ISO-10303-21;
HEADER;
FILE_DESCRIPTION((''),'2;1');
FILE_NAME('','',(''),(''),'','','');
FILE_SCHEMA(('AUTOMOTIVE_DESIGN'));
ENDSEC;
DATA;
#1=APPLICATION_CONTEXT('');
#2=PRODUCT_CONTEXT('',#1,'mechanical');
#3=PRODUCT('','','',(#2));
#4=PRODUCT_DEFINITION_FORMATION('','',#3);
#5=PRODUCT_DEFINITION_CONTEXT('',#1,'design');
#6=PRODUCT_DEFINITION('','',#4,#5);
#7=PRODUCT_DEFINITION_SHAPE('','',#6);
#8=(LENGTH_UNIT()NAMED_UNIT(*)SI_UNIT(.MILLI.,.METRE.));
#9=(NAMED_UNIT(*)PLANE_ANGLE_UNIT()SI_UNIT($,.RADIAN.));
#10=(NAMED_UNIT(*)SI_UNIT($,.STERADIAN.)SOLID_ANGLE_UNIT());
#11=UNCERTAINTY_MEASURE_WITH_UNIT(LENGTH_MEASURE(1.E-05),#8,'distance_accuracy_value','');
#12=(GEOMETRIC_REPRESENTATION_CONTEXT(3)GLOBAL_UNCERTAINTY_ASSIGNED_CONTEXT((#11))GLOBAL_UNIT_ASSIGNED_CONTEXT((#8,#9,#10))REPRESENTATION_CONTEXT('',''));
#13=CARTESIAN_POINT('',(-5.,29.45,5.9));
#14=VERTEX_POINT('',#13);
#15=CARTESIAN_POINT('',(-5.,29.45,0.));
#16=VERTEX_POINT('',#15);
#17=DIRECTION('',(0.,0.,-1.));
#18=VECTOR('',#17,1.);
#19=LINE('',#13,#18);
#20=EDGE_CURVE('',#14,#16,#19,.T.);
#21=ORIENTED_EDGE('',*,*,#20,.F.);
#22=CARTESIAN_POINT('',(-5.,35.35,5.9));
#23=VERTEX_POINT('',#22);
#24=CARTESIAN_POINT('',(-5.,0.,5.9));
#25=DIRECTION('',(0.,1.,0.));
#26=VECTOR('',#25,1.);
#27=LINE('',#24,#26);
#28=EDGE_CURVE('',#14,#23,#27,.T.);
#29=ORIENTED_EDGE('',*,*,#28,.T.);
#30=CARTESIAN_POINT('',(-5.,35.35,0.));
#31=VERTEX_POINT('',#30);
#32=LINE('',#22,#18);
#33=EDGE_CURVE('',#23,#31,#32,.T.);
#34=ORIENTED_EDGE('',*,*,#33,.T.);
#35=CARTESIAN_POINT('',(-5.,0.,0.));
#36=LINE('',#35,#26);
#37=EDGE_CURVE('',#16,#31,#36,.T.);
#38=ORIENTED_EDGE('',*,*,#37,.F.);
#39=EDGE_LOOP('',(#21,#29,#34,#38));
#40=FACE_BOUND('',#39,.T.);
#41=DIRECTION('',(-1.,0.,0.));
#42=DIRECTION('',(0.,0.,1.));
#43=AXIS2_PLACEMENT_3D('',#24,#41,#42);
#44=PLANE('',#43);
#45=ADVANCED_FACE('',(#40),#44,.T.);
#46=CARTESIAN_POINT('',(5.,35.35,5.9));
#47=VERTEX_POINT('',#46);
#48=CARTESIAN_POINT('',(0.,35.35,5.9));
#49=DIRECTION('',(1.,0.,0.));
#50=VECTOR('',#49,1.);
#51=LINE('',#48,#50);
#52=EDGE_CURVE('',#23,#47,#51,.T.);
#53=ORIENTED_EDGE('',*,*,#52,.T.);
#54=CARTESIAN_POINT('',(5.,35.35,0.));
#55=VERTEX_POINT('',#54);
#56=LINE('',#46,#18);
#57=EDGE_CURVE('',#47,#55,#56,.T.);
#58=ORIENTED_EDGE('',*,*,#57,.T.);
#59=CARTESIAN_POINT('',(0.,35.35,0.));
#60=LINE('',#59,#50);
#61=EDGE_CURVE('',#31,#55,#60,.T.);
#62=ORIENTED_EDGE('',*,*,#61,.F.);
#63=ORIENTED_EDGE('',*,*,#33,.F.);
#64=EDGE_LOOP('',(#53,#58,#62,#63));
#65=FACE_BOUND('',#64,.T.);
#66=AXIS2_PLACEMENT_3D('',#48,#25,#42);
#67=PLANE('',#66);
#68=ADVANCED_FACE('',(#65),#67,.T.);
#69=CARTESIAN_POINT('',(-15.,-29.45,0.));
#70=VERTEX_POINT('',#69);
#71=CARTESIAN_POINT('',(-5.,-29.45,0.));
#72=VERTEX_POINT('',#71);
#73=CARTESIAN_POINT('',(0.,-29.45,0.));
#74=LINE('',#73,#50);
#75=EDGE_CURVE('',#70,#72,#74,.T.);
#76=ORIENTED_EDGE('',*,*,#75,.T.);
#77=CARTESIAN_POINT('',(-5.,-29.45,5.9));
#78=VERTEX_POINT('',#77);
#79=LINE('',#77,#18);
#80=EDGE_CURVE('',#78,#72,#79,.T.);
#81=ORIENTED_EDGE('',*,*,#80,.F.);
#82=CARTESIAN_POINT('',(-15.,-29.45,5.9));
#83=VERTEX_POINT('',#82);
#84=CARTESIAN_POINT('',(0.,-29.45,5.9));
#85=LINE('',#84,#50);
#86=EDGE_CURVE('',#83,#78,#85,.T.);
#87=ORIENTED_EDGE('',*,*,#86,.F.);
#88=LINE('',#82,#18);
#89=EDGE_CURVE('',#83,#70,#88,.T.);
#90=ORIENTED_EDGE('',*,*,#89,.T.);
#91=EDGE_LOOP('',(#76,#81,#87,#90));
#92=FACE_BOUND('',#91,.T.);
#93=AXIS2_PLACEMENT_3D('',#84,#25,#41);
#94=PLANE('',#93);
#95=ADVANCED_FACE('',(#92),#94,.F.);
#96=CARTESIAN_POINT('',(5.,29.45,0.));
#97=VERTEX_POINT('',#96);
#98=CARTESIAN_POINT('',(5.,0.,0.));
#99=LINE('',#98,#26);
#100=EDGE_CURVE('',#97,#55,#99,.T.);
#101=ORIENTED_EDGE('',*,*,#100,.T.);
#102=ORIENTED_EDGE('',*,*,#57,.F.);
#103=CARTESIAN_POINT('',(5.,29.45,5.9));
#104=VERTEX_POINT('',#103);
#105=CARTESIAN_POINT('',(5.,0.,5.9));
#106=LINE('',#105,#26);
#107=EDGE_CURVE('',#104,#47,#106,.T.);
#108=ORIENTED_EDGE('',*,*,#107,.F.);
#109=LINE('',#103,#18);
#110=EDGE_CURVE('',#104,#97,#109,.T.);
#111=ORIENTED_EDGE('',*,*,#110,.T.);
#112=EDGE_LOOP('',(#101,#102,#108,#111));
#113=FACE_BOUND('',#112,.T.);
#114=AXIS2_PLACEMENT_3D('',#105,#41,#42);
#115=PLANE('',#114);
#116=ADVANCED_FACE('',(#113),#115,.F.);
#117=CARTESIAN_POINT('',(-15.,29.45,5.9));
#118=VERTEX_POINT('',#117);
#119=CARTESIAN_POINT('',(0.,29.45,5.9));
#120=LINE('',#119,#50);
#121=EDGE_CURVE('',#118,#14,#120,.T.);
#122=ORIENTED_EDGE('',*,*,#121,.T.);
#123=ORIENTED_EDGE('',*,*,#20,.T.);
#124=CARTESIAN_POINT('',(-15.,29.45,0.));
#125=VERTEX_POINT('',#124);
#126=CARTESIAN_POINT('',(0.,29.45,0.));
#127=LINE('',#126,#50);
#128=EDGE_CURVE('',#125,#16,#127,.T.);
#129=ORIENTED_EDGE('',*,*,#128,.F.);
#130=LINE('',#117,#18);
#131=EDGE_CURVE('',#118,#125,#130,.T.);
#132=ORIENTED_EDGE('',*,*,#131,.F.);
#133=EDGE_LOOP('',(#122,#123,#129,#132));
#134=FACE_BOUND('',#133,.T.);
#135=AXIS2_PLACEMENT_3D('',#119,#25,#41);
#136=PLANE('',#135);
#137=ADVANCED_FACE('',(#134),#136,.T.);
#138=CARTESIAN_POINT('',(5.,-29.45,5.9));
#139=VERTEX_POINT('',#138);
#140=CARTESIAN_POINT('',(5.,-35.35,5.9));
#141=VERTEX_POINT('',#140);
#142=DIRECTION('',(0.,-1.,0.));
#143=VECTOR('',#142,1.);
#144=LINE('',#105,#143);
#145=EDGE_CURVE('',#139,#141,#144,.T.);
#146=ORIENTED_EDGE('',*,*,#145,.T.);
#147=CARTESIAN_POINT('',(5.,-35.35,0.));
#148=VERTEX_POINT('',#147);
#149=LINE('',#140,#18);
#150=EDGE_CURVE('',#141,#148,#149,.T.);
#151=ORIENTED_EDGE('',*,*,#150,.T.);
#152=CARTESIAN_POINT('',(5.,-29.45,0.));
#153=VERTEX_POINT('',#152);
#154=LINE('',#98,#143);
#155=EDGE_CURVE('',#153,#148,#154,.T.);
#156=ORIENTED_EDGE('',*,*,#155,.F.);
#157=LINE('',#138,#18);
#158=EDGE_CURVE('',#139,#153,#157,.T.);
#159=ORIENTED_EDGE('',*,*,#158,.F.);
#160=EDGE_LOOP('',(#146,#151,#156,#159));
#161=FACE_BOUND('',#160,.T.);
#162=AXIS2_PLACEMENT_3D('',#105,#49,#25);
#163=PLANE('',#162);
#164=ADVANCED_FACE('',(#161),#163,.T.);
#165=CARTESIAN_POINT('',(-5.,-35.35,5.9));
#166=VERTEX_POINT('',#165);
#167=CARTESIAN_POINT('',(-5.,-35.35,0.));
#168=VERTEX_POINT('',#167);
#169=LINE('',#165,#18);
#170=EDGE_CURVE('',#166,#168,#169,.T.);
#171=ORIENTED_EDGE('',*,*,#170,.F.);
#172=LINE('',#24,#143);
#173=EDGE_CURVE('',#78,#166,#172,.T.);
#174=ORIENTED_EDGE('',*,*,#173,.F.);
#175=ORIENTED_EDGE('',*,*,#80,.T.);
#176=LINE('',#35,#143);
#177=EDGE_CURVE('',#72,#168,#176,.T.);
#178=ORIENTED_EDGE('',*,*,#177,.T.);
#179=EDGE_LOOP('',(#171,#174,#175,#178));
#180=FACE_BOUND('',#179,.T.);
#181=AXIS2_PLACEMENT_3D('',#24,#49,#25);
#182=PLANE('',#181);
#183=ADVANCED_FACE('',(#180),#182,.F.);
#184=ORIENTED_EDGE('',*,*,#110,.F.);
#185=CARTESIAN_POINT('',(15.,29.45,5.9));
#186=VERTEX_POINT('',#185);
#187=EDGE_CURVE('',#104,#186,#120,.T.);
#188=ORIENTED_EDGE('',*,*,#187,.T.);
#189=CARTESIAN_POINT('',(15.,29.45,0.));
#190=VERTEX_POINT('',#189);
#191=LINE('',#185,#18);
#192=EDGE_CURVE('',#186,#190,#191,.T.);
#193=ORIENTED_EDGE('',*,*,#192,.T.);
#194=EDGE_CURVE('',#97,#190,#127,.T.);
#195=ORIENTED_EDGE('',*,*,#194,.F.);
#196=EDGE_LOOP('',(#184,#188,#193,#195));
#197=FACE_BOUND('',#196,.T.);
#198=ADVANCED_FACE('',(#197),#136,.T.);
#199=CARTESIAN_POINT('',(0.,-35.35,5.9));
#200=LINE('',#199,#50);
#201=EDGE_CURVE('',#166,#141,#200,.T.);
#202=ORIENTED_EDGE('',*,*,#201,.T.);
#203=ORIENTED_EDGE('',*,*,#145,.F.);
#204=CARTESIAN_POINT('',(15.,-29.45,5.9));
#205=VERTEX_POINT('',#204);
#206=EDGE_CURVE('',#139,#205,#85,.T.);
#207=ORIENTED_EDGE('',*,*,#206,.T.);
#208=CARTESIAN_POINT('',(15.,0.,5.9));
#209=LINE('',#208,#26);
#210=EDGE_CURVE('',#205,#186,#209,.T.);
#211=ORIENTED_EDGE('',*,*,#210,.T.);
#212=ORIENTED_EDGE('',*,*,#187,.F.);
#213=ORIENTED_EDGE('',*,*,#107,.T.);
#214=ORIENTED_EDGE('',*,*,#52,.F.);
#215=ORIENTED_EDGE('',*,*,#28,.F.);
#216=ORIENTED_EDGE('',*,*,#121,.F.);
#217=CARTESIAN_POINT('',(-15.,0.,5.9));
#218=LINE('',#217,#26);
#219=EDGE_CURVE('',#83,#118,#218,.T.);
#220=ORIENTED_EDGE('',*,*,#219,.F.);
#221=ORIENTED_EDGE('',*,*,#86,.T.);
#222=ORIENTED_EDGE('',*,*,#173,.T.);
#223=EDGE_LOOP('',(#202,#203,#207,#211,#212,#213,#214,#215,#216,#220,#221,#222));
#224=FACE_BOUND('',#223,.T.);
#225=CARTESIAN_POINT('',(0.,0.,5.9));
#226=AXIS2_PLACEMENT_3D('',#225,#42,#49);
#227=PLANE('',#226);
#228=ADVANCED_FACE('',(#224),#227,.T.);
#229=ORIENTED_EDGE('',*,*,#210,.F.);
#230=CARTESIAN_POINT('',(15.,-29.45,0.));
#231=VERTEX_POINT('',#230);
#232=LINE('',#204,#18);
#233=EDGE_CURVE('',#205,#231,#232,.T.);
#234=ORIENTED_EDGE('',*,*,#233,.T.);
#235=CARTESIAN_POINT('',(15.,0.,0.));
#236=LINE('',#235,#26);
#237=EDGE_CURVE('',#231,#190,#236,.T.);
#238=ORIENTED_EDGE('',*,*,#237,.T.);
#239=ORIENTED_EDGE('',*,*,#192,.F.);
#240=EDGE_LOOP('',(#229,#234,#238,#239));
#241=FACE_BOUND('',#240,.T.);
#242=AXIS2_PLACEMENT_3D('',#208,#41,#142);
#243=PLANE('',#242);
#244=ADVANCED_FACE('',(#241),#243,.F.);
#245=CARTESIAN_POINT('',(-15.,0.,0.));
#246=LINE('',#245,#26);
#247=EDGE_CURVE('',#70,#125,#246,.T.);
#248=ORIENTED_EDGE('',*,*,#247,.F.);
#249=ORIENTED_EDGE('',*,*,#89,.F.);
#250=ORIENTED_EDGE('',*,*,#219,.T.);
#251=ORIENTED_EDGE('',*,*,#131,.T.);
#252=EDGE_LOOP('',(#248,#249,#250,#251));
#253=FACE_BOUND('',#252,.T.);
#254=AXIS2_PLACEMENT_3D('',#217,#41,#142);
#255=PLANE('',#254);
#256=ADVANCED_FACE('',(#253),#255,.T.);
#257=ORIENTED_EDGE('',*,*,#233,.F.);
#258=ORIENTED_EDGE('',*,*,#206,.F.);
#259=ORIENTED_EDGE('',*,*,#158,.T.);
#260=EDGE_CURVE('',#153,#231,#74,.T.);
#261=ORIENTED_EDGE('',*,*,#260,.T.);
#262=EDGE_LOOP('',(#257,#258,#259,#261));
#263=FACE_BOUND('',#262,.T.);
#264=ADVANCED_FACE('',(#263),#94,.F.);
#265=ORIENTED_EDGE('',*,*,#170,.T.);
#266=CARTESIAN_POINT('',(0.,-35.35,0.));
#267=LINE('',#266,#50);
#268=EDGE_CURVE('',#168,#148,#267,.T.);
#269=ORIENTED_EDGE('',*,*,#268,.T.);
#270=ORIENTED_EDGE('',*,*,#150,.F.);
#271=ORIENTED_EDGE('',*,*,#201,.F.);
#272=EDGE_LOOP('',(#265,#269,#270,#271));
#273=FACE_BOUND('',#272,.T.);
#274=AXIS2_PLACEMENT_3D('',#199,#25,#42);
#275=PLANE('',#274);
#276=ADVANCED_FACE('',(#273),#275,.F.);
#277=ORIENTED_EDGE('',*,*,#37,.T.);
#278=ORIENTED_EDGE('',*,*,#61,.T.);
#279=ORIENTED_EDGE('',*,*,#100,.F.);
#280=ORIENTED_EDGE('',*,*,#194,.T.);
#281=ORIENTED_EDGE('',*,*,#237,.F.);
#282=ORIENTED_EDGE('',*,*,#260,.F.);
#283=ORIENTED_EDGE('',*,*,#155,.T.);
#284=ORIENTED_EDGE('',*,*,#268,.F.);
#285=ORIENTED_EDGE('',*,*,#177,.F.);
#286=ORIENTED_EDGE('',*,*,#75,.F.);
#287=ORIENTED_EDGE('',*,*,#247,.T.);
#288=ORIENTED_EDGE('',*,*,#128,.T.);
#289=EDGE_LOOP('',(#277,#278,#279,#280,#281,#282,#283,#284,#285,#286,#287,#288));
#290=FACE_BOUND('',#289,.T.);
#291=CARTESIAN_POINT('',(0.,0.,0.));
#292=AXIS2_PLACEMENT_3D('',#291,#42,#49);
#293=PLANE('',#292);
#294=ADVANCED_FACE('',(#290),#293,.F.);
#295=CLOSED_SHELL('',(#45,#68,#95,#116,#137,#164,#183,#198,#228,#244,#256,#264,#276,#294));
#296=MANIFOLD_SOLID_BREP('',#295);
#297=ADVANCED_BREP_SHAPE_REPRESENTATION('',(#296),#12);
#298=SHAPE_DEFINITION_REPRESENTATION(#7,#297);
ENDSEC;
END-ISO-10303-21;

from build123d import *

# Parameters (mm, degrees)
SKETCH1_W           = 10
SKETCH1_H           = 5.9
BOSS_EXTRUDE1_DEPTH = 5.9


with BuildPart() as part:
    # Sketch1 → Boss-Extrude1 (new body)
    with BuildSketch(Plane.XY):
        with Locations((0, 32.4)):
            Rectangle(SKETCH1_W, SKETCH1_H)
        with Locations((0, 26.5)):
            Rectangle(SKETCH1_W, SKETCH1_H)
        Polygon((-15, 29.45), (-15, -29.45), (-5, -29.45), (-5, -23.55), (5, -23.55), (5, -29.45), (15, -29.45), (15, 29.45), (5, 29.45), (5, 23.55), (-5, 23.55), (-5, 29.45), align=None)
        with Locations((0, -26.5)):
            Rectangle(SKETCH1_W, SKETCH1_H)
        with Locations((0, -32.4)):
            Rectangle(SKETCH1_W, SKETCH1_H)
    extrude(amount=BOSS_EXTRUDE1_DEPTH)


solid = part.part
